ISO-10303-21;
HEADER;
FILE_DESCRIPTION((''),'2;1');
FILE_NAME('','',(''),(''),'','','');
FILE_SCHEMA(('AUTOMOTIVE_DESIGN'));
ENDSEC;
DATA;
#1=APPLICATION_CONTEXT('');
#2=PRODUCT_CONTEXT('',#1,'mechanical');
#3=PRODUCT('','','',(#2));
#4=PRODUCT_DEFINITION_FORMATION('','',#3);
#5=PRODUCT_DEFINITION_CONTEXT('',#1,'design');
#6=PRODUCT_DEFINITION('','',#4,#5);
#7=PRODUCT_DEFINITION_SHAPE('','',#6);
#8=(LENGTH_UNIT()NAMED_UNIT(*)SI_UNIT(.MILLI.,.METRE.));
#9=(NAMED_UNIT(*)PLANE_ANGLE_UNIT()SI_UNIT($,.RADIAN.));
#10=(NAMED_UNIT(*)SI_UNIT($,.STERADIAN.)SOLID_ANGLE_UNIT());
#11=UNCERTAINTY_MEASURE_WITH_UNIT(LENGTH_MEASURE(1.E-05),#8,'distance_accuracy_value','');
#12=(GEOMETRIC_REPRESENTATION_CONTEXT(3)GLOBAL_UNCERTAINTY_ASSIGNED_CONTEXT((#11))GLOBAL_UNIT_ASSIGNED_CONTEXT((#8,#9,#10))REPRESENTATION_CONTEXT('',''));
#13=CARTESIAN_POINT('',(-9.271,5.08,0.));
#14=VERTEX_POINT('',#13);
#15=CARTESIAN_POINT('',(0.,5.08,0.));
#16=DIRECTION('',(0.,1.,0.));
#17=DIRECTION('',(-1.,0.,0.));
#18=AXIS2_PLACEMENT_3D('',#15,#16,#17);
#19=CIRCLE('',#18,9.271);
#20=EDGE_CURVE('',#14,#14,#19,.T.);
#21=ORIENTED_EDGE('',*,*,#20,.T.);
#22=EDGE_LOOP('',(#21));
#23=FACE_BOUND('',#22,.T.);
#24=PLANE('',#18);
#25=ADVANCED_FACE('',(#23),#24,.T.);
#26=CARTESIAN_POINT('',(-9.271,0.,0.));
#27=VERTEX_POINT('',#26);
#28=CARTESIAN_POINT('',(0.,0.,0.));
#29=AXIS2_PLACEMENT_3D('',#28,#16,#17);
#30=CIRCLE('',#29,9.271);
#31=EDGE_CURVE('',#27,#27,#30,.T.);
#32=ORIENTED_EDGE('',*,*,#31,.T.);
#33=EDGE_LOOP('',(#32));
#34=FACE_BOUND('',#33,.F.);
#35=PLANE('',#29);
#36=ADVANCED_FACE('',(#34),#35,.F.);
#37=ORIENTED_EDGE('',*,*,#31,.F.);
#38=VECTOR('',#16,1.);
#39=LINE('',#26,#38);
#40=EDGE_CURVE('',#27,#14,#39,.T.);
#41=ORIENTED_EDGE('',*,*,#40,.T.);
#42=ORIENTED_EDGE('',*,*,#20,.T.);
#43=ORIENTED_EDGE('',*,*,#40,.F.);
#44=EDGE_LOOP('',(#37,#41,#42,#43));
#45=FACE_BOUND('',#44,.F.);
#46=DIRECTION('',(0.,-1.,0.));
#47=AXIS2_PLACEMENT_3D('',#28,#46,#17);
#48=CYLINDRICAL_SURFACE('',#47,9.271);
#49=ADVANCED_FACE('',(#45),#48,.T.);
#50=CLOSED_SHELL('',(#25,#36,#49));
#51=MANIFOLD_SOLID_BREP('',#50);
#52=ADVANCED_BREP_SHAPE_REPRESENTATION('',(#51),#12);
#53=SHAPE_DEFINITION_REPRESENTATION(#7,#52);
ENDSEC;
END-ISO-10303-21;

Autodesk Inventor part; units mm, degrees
ref_plane "YZ Plane" through (0, 0, 0) normal (1, 0, 0) x (0, 1, 0)
ref_plane "XZ Plane" through (0, 0, 0) normal (0, 1, 0) x (-1, 0, 0)
ref_plane "XY Plane" through (0, 0, 0) normal (0, 0, 1) x (1, 0, 0)
sketch "Sketch1" plane through (0, 0, 0) normal (0, 1, 0) x (-1, 0, 0)
  circle A0 centre (0, 0) radius 9.271
  dimension "d0" = 18.542
extrude "Extrusion1" add sketch "Sketch1" along normal blind 5.08
properties part number "MarkerHolderSpacer" material "Wood (Birch)"
